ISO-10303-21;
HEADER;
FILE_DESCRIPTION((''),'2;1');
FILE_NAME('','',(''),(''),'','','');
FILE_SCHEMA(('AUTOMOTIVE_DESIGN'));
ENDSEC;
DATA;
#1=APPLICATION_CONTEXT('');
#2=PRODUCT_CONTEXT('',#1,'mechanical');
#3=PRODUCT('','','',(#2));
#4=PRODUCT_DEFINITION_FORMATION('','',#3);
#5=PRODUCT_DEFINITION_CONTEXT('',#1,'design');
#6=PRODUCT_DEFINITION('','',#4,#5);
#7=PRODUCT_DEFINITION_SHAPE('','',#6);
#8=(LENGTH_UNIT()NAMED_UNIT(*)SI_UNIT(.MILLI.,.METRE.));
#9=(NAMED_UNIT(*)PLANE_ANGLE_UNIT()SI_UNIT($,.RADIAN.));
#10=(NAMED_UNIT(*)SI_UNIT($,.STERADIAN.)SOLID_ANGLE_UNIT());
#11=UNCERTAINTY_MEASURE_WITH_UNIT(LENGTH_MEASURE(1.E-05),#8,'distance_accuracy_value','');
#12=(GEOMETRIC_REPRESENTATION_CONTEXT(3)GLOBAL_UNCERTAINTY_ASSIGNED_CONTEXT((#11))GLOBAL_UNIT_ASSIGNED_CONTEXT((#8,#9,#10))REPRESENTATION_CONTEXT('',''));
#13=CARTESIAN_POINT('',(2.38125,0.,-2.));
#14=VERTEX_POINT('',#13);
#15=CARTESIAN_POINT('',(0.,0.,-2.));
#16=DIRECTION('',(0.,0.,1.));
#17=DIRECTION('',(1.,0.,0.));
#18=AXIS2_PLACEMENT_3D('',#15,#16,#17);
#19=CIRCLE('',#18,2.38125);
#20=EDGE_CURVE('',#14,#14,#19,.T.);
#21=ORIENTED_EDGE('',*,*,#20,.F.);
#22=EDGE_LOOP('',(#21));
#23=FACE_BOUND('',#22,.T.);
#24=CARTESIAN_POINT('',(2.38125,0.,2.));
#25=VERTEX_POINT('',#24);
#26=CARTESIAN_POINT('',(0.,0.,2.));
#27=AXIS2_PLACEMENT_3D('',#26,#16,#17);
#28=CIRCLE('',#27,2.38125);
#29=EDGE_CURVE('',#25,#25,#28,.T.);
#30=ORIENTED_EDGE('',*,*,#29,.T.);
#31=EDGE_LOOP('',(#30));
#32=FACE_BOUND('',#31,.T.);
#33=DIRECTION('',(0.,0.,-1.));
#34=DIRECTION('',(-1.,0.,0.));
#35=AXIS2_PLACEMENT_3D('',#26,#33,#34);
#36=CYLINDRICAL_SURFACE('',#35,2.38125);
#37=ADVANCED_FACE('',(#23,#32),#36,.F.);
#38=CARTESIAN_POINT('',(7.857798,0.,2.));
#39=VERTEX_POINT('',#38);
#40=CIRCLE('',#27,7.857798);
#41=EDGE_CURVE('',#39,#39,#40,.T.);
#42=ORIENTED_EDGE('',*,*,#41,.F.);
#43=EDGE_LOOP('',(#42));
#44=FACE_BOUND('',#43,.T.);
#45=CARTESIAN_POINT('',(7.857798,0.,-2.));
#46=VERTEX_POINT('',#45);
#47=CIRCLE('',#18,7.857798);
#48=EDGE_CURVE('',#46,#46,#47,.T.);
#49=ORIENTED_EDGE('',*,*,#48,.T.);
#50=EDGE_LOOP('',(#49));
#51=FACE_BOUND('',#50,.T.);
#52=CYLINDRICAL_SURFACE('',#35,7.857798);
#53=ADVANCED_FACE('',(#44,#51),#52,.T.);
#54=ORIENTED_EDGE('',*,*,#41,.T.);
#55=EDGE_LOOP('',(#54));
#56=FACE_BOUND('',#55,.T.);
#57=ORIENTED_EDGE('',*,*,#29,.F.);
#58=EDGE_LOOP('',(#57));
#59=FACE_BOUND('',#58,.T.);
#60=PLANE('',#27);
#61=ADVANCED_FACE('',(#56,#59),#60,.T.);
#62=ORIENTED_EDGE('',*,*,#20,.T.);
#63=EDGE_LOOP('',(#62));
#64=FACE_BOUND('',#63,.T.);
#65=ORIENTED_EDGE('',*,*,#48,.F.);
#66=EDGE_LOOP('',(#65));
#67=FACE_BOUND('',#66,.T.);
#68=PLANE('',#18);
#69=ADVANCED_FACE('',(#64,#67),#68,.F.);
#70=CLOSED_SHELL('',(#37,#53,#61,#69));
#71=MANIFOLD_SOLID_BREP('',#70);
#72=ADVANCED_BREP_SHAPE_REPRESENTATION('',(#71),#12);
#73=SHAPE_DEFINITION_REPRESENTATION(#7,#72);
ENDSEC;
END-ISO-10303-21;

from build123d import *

# Parameters (mm, degrees)
SKETCH2_R           = 7.857797854
SKETCH2_R_2         = 2.38125
BOSS_EXTRUDE1_DEPTH = 2


with BuildPart() as part:
    # Sketch2 → Boss-Extrude1 (new, symmetric)
    with BuildSketch(Plane.XY):
        Circle(SKETCH2_R)
        Circle(SKETCH2_R_2, mode=Mode.SUBTRACT)
    extrude(amount=BOSS_EXTRUDE1_DEPTH, both=True)


solid = part.part
